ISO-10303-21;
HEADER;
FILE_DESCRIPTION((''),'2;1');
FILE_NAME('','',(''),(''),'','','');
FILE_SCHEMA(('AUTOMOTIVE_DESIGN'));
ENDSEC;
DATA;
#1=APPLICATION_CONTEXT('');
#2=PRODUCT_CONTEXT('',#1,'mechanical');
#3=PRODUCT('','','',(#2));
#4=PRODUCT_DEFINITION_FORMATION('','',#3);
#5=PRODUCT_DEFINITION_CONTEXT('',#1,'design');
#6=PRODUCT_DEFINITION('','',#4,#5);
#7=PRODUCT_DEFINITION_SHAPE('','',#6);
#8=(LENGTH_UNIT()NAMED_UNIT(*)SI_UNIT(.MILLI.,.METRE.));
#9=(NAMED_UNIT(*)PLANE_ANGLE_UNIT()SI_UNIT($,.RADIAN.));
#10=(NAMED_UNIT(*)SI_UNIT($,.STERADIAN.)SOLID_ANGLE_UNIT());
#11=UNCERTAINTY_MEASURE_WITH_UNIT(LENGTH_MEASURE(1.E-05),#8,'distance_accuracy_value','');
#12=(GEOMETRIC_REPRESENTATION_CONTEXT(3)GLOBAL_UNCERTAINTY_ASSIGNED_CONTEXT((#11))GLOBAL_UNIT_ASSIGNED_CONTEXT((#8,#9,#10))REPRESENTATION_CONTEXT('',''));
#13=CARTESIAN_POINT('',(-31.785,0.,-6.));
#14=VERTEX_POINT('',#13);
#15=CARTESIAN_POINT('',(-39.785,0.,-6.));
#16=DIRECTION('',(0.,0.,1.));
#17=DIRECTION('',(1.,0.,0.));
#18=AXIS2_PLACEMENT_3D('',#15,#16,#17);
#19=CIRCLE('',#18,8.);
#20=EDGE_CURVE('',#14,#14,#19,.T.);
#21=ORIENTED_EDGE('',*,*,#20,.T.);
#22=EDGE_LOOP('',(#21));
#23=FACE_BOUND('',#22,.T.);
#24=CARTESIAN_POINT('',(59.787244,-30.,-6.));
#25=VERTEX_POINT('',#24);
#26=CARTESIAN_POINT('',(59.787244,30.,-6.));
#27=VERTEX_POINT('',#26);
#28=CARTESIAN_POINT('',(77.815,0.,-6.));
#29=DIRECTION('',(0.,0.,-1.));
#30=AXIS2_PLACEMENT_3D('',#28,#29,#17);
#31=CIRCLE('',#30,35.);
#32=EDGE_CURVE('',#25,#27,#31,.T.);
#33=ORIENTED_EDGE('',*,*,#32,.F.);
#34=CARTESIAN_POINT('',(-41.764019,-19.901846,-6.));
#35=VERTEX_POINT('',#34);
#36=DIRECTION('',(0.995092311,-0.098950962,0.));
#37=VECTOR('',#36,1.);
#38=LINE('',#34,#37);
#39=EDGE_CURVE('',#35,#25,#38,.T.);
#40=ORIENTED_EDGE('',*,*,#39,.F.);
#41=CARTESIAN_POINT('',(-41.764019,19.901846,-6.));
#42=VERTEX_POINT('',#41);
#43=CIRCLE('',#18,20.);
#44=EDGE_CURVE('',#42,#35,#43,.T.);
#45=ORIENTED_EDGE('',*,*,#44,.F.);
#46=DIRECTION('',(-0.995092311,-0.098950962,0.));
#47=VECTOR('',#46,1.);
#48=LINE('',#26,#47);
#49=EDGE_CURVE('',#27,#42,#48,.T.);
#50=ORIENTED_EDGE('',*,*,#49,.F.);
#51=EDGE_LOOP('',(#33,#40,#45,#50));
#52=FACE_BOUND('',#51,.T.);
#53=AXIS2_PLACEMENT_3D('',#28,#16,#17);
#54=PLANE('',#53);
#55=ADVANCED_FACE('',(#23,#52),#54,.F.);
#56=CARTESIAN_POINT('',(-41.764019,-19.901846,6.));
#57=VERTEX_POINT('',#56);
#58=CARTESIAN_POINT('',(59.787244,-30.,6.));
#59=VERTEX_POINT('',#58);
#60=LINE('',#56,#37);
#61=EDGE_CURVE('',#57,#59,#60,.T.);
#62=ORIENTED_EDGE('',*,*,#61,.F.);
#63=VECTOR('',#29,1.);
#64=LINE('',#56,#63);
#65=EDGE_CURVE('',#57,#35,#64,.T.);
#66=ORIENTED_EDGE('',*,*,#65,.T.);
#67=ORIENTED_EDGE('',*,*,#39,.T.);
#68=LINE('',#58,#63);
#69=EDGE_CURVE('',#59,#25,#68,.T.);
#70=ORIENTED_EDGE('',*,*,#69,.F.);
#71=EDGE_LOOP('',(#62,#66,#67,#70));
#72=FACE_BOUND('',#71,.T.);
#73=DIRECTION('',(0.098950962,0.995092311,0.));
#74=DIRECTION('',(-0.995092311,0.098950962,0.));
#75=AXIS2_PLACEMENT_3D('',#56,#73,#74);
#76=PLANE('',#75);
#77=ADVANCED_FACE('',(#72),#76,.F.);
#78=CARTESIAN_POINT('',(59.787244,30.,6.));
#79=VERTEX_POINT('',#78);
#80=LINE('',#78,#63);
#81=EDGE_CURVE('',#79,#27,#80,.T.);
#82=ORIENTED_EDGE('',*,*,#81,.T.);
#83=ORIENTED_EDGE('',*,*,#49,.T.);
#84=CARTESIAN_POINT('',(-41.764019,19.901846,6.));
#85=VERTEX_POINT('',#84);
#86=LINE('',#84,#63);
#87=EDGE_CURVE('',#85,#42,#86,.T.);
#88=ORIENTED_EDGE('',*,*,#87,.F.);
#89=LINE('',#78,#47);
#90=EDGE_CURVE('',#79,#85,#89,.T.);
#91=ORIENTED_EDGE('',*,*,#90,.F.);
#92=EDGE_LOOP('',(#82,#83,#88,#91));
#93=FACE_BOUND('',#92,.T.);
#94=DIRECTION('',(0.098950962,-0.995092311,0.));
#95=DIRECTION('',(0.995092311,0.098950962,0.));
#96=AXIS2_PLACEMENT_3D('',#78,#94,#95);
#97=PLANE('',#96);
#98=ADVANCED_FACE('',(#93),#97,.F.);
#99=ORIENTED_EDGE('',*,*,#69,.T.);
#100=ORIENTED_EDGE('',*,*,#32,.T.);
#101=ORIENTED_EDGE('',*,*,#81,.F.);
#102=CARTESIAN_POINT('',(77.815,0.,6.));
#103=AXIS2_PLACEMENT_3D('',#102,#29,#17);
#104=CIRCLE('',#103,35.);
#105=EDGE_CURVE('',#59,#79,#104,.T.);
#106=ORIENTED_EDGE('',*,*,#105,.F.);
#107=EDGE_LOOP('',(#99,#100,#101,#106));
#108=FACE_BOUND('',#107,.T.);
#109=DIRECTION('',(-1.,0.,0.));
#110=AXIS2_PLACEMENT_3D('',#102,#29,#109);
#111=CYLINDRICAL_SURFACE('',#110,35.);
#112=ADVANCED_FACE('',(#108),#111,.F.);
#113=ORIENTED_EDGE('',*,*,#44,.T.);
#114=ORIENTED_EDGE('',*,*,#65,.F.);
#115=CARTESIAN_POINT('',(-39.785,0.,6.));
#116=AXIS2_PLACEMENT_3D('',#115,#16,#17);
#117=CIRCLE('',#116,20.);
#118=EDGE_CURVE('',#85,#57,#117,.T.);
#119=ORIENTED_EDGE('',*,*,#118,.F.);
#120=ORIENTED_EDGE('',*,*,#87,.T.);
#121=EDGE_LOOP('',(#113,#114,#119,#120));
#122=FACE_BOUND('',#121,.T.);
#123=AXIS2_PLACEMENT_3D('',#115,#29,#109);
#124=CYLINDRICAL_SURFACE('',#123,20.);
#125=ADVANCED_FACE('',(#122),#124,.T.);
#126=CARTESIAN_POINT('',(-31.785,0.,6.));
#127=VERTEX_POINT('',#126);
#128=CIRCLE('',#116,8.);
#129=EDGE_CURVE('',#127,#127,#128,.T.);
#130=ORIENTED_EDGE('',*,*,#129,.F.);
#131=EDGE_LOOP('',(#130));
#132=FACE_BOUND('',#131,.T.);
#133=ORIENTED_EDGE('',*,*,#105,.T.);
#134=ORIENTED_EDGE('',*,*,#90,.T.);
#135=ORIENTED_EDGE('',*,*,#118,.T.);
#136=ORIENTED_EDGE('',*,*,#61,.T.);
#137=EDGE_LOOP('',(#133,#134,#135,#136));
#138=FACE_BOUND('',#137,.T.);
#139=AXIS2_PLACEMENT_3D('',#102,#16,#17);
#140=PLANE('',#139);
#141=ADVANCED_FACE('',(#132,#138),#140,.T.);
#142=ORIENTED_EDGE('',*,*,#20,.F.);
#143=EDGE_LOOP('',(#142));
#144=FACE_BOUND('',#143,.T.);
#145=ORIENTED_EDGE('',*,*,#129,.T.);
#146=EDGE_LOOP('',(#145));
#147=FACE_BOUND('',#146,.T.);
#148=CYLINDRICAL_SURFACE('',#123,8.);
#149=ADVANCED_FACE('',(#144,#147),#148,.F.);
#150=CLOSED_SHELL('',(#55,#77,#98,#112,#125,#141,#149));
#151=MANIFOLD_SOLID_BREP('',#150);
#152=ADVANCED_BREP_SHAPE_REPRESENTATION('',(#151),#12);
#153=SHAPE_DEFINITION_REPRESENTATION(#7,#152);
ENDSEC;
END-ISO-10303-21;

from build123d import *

# Parameters (mm, degrees)
SKETCH2_R           = 8
BOSS_EXTRUDE1_DEPTH = 6


with BuildPart() as part:
    # Sketch2 → Boss-Extrude1 (new, symmetric)
    with BuildSketch(Plane.XY):
        with BuildLine():
            Line((59.787243623, 30), (-41.764019246, 19.901846216))
            ThreePointArc((-41.764019246, 19.901846216), (-59.785, 0), (-41.764019246, -19.901846216))
            Line((-41.764019246, -19.901846216), (59.787243623, -30))
            ThreePointArc((59.787243623, -30), (42.815, 0), (59.787243623, 30))
        make_face()
        with Locations((-39.785, 0)):
            Circle(SKETCH2_R, mode=Mode.SUBTRACT)
    extrude(amount=BOSS_EXTRUDE1_DEPTH, both=True)


solid = part.part
